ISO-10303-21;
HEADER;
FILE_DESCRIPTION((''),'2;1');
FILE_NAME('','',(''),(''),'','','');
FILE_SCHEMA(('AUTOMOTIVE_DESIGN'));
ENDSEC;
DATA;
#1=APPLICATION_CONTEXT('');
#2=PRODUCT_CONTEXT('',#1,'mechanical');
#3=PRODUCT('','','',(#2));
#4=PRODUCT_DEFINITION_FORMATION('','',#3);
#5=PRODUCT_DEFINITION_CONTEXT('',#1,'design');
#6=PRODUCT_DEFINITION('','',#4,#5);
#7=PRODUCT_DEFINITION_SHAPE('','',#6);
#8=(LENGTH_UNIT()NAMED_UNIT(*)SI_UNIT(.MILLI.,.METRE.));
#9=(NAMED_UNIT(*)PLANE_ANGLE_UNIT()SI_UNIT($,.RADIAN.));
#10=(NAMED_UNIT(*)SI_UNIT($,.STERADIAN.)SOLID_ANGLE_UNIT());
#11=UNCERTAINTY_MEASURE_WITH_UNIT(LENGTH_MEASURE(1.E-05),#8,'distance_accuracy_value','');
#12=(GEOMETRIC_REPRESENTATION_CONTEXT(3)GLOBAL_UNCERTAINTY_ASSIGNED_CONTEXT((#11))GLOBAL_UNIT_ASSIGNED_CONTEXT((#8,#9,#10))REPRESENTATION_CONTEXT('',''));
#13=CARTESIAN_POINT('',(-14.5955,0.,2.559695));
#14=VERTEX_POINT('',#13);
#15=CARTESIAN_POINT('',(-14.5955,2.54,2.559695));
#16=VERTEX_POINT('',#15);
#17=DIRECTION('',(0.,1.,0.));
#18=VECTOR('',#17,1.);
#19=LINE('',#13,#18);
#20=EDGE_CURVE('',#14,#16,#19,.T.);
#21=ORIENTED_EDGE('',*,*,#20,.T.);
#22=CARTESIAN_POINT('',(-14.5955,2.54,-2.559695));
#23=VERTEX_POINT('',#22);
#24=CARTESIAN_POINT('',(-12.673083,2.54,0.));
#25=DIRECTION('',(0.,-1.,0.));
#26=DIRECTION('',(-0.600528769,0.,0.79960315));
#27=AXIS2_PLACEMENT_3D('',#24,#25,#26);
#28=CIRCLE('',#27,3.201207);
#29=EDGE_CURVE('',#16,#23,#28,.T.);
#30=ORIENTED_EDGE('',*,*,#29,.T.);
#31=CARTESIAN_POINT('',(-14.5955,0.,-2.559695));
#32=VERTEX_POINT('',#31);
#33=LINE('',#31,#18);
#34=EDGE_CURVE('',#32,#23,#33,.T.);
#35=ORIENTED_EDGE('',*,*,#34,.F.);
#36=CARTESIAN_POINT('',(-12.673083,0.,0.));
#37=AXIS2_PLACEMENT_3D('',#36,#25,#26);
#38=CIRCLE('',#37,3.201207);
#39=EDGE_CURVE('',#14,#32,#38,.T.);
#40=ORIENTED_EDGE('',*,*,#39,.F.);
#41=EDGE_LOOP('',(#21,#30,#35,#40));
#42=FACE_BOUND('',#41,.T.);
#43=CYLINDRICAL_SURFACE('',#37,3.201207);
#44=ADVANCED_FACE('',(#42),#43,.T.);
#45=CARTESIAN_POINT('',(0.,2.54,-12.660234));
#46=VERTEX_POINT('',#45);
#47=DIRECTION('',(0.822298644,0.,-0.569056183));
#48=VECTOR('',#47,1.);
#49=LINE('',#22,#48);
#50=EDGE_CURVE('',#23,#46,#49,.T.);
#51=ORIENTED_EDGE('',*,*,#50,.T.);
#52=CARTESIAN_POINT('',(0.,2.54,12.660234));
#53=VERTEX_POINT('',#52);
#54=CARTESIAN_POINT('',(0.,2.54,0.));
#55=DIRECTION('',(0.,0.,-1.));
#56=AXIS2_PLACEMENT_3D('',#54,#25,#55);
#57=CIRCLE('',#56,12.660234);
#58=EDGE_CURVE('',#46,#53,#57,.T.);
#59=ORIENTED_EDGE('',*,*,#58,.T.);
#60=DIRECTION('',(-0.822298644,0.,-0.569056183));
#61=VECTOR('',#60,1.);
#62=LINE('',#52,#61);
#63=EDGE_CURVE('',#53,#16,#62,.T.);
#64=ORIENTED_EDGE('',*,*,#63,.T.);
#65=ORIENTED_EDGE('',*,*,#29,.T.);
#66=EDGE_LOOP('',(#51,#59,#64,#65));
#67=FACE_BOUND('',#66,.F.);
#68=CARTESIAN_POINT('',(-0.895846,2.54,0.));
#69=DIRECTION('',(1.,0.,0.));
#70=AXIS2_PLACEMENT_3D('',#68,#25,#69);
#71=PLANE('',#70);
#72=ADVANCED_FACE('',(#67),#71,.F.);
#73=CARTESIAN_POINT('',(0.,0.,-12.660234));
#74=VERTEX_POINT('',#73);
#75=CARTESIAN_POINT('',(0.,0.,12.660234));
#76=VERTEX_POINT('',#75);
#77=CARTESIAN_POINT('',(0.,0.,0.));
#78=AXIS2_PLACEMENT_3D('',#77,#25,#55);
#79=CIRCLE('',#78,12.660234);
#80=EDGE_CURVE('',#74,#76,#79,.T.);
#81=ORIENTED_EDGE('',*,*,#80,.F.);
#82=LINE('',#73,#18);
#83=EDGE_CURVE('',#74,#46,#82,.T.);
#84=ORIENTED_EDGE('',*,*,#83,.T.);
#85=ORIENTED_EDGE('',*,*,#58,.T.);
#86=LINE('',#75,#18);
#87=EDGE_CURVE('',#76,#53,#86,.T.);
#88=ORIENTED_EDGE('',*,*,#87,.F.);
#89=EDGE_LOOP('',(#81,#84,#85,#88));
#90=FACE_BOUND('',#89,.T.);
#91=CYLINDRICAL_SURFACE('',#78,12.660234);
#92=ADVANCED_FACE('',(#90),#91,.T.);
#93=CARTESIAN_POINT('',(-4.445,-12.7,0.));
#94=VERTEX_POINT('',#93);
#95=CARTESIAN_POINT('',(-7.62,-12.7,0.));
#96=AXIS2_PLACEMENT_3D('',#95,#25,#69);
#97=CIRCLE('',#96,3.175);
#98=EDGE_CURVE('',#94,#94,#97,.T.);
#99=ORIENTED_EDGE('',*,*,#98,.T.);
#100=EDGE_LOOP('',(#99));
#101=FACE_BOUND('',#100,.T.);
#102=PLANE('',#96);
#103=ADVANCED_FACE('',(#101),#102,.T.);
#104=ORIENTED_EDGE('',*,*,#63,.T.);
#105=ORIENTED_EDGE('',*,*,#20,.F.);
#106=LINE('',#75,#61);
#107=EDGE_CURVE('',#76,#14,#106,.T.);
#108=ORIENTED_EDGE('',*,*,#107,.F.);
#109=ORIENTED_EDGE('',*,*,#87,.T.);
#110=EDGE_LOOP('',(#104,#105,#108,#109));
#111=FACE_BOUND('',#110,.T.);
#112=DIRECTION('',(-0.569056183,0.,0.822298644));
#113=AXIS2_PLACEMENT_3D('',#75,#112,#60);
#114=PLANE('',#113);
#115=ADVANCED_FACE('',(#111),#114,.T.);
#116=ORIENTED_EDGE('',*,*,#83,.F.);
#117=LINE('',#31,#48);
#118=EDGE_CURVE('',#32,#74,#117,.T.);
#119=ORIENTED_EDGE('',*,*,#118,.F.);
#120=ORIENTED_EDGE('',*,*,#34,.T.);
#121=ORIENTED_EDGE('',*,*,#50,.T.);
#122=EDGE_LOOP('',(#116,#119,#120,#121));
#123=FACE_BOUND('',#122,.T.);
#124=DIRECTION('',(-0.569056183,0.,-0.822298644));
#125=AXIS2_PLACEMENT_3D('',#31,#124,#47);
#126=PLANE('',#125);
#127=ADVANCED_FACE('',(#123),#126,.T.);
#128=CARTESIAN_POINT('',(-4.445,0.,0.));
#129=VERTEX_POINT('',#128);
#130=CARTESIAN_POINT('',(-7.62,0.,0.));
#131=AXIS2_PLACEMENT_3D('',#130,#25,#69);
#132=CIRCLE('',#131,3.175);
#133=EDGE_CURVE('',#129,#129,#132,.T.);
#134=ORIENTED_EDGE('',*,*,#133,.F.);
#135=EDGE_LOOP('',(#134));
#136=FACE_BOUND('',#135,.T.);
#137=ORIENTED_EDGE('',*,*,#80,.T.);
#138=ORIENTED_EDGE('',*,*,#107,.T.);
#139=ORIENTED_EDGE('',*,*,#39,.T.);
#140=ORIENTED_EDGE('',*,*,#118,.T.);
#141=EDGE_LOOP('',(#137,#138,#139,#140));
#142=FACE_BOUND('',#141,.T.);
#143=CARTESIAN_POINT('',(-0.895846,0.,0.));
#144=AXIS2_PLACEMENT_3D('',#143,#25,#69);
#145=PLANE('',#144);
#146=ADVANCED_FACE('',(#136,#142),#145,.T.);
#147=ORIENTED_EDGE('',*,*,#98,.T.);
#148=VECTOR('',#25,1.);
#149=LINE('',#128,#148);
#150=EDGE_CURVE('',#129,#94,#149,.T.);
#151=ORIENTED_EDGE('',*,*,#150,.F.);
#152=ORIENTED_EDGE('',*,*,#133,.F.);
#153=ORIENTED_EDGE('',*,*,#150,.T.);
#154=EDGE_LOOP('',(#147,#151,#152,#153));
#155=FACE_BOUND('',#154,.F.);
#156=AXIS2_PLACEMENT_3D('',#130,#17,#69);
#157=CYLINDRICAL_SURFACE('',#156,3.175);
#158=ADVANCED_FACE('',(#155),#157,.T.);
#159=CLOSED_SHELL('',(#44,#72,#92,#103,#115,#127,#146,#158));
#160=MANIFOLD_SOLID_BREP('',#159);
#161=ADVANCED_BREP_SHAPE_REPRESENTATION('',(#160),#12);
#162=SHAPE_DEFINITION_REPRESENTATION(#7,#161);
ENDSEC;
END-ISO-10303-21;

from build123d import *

# Parameters (mm, degrees)
F1_R     = 3.175
F2_DEPTH = 12.7
F4_DEPTH = 2.54


with BuildPart() as f2:
    # F1 (on Front) → F2 (new body)
    with BuildSketch(Plane.XZ):
        with Locations((-7.62, 0)):
            Circle(F1_R)
    extrude(amount=F2_DEPTH)

    # F3 (on Front) → F4 (join)
    with BuildSketch(Plane.XZ):
        with BuildLine():
            Line((-14.5955, -2.559695), (0, -12.660234))
            ThreePointArc((0, -12.660234), (12.660234, 0), (0, 12.660234))
            Line((0, 12.660234), (-14.5955, 2.559695))
            ThreePointArc((-14.5955, 2.559695), (-15.87429, 0), (-14.5955, -2.559695))
        make_face()
    extrude(amount=-F4_DEPTH)


solid = f2.part
